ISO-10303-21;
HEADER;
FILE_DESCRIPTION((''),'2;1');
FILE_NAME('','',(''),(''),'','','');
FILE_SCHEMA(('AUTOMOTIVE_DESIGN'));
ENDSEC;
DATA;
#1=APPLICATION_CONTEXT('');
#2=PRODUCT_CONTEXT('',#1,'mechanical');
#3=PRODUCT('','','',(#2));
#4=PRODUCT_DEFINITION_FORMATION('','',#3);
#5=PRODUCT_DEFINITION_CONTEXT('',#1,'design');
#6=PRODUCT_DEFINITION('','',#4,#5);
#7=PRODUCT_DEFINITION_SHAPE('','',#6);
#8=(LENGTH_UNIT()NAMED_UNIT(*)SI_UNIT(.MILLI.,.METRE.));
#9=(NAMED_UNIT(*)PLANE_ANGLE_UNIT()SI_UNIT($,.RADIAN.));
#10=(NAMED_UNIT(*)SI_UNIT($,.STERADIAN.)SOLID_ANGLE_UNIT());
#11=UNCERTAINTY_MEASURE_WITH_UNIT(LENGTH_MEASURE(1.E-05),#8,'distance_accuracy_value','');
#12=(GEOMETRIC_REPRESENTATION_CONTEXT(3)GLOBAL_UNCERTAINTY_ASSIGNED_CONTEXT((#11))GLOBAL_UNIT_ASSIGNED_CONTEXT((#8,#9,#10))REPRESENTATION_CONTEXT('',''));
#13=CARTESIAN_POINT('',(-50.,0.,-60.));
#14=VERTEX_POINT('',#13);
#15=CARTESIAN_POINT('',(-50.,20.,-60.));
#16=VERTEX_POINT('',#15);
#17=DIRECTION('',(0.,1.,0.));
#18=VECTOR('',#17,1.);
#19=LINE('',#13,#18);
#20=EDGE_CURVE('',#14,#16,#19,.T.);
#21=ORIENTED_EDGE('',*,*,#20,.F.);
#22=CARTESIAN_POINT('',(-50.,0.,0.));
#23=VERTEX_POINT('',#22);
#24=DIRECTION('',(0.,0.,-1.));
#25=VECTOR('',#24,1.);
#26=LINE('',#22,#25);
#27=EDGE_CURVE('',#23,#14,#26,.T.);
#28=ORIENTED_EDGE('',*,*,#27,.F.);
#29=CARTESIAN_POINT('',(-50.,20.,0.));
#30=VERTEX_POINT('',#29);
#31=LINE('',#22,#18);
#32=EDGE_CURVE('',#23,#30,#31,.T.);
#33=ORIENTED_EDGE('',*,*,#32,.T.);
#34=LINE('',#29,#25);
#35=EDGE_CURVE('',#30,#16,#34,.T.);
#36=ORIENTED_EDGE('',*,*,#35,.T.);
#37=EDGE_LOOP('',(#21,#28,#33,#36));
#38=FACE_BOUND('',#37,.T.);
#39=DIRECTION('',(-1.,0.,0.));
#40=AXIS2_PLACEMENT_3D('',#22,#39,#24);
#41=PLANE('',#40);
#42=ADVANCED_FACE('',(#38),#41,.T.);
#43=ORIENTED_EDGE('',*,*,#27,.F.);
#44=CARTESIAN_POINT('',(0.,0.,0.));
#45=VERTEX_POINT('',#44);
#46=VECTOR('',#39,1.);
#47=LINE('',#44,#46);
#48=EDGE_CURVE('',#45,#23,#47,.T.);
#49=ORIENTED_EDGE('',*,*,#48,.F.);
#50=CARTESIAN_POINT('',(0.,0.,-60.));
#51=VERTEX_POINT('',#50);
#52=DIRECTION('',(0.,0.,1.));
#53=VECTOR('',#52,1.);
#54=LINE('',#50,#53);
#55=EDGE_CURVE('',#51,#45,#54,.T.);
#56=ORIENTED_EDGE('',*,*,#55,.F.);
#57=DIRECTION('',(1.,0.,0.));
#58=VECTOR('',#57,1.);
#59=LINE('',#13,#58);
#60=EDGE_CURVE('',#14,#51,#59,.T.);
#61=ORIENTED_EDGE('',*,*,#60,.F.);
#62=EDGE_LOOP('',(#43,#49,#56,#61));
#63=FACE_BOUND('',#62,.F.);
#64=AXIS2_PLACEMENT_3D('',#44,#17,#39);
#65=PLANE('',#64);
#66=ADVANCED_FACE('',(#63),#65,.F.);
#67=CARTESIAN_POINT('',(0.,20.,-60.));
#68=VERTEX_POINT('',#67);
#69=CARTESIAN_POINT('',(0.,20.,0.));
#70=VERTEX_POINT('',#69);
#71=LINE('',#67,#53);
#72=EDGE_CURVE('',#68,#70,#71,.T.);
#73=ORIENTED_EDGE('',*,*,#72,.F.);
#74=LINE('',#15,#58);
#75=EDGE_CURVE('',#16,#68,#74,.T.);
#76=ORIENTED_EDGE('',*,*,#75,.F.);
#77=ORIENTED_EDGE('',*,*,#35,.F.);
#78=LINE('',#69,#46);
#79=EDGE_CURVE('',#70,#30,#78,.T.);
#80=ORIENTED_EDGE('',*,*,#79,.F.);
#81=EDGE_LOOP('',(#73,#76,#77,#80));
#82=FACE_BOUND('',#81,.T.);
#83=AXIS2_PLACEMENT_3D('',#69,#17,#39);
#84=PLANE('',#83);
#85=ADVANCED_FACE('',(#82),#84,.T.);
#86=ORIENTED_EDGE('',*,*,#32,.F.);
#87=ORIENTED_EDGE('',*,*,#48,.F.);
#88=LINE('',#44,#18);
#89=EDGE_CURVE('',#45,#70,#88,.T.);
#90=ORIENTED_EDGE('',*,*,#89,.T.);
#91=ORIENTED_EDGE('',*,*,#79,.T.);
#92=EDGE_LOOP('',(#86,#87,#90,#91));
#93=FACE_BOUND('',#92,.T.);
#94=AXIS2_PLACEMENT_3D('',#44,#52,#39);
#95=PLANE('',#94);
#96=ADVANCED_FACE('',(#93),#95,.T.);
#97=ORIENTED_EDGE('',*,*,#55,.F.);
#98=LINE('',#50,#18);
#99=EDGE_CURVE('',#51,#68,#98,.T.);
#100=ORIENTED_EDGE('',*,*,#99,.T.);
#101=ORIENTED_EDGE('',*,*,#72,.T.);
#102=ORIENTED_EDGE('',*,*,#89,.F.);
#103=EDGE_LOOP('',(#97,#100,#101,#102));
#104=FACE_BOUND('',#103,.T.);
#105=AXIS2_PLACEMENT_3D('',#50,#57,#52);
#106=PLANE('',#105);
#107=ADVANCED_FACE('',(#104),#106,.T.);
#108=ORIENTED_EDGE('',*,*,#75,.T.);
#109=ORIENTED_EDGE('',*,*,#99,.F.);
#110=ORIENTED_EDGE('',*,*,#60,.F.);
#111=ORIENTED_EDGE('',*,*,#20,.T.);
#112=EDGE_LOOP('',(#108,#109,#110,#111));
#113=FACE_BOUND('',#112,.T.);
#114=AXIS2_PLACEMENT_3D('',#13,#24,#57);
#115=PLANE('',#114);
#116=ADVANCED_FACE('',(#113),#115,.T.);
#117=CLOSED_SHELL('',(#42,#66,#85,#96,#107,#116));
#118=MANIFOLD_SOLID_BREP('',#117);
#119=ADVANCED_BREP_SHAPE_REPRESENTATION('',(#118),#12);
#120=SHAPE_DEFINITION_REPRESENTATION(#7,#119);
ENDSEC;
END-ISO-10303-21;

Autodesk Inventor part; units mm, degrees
ref_plane "YZ Plane" through (0, 0, 0) normal (1, 0, 0) x (0, 1, 0)
ref_plane "XZ Plane" through (0, 0, 0) normal (0, 1, 0) x (-1, 0, 0)
ref_plane "XY Plane" through (0, 0, 0) normal (0, 0, 1) x (1, 0, 0)
sketch "Эскиз1" plane through (0, 0, 0) normal (0, 1, 0) x (-1, 0, 0)
  line L0 (0, 0) -> (50, 0)
  line L1 (50, 0) -> (50, -60)
  line L2 (50, -60) -> (0, -60)
  line L3 (0, -60) -> (0, 0)
  dimension "d0" = 50
  dimension "d1" = 60
extrude "Выдавливание1" add sketch "Эскиз1" along normal blind 20
properties part number "Тестовая схема расположения электронники"
